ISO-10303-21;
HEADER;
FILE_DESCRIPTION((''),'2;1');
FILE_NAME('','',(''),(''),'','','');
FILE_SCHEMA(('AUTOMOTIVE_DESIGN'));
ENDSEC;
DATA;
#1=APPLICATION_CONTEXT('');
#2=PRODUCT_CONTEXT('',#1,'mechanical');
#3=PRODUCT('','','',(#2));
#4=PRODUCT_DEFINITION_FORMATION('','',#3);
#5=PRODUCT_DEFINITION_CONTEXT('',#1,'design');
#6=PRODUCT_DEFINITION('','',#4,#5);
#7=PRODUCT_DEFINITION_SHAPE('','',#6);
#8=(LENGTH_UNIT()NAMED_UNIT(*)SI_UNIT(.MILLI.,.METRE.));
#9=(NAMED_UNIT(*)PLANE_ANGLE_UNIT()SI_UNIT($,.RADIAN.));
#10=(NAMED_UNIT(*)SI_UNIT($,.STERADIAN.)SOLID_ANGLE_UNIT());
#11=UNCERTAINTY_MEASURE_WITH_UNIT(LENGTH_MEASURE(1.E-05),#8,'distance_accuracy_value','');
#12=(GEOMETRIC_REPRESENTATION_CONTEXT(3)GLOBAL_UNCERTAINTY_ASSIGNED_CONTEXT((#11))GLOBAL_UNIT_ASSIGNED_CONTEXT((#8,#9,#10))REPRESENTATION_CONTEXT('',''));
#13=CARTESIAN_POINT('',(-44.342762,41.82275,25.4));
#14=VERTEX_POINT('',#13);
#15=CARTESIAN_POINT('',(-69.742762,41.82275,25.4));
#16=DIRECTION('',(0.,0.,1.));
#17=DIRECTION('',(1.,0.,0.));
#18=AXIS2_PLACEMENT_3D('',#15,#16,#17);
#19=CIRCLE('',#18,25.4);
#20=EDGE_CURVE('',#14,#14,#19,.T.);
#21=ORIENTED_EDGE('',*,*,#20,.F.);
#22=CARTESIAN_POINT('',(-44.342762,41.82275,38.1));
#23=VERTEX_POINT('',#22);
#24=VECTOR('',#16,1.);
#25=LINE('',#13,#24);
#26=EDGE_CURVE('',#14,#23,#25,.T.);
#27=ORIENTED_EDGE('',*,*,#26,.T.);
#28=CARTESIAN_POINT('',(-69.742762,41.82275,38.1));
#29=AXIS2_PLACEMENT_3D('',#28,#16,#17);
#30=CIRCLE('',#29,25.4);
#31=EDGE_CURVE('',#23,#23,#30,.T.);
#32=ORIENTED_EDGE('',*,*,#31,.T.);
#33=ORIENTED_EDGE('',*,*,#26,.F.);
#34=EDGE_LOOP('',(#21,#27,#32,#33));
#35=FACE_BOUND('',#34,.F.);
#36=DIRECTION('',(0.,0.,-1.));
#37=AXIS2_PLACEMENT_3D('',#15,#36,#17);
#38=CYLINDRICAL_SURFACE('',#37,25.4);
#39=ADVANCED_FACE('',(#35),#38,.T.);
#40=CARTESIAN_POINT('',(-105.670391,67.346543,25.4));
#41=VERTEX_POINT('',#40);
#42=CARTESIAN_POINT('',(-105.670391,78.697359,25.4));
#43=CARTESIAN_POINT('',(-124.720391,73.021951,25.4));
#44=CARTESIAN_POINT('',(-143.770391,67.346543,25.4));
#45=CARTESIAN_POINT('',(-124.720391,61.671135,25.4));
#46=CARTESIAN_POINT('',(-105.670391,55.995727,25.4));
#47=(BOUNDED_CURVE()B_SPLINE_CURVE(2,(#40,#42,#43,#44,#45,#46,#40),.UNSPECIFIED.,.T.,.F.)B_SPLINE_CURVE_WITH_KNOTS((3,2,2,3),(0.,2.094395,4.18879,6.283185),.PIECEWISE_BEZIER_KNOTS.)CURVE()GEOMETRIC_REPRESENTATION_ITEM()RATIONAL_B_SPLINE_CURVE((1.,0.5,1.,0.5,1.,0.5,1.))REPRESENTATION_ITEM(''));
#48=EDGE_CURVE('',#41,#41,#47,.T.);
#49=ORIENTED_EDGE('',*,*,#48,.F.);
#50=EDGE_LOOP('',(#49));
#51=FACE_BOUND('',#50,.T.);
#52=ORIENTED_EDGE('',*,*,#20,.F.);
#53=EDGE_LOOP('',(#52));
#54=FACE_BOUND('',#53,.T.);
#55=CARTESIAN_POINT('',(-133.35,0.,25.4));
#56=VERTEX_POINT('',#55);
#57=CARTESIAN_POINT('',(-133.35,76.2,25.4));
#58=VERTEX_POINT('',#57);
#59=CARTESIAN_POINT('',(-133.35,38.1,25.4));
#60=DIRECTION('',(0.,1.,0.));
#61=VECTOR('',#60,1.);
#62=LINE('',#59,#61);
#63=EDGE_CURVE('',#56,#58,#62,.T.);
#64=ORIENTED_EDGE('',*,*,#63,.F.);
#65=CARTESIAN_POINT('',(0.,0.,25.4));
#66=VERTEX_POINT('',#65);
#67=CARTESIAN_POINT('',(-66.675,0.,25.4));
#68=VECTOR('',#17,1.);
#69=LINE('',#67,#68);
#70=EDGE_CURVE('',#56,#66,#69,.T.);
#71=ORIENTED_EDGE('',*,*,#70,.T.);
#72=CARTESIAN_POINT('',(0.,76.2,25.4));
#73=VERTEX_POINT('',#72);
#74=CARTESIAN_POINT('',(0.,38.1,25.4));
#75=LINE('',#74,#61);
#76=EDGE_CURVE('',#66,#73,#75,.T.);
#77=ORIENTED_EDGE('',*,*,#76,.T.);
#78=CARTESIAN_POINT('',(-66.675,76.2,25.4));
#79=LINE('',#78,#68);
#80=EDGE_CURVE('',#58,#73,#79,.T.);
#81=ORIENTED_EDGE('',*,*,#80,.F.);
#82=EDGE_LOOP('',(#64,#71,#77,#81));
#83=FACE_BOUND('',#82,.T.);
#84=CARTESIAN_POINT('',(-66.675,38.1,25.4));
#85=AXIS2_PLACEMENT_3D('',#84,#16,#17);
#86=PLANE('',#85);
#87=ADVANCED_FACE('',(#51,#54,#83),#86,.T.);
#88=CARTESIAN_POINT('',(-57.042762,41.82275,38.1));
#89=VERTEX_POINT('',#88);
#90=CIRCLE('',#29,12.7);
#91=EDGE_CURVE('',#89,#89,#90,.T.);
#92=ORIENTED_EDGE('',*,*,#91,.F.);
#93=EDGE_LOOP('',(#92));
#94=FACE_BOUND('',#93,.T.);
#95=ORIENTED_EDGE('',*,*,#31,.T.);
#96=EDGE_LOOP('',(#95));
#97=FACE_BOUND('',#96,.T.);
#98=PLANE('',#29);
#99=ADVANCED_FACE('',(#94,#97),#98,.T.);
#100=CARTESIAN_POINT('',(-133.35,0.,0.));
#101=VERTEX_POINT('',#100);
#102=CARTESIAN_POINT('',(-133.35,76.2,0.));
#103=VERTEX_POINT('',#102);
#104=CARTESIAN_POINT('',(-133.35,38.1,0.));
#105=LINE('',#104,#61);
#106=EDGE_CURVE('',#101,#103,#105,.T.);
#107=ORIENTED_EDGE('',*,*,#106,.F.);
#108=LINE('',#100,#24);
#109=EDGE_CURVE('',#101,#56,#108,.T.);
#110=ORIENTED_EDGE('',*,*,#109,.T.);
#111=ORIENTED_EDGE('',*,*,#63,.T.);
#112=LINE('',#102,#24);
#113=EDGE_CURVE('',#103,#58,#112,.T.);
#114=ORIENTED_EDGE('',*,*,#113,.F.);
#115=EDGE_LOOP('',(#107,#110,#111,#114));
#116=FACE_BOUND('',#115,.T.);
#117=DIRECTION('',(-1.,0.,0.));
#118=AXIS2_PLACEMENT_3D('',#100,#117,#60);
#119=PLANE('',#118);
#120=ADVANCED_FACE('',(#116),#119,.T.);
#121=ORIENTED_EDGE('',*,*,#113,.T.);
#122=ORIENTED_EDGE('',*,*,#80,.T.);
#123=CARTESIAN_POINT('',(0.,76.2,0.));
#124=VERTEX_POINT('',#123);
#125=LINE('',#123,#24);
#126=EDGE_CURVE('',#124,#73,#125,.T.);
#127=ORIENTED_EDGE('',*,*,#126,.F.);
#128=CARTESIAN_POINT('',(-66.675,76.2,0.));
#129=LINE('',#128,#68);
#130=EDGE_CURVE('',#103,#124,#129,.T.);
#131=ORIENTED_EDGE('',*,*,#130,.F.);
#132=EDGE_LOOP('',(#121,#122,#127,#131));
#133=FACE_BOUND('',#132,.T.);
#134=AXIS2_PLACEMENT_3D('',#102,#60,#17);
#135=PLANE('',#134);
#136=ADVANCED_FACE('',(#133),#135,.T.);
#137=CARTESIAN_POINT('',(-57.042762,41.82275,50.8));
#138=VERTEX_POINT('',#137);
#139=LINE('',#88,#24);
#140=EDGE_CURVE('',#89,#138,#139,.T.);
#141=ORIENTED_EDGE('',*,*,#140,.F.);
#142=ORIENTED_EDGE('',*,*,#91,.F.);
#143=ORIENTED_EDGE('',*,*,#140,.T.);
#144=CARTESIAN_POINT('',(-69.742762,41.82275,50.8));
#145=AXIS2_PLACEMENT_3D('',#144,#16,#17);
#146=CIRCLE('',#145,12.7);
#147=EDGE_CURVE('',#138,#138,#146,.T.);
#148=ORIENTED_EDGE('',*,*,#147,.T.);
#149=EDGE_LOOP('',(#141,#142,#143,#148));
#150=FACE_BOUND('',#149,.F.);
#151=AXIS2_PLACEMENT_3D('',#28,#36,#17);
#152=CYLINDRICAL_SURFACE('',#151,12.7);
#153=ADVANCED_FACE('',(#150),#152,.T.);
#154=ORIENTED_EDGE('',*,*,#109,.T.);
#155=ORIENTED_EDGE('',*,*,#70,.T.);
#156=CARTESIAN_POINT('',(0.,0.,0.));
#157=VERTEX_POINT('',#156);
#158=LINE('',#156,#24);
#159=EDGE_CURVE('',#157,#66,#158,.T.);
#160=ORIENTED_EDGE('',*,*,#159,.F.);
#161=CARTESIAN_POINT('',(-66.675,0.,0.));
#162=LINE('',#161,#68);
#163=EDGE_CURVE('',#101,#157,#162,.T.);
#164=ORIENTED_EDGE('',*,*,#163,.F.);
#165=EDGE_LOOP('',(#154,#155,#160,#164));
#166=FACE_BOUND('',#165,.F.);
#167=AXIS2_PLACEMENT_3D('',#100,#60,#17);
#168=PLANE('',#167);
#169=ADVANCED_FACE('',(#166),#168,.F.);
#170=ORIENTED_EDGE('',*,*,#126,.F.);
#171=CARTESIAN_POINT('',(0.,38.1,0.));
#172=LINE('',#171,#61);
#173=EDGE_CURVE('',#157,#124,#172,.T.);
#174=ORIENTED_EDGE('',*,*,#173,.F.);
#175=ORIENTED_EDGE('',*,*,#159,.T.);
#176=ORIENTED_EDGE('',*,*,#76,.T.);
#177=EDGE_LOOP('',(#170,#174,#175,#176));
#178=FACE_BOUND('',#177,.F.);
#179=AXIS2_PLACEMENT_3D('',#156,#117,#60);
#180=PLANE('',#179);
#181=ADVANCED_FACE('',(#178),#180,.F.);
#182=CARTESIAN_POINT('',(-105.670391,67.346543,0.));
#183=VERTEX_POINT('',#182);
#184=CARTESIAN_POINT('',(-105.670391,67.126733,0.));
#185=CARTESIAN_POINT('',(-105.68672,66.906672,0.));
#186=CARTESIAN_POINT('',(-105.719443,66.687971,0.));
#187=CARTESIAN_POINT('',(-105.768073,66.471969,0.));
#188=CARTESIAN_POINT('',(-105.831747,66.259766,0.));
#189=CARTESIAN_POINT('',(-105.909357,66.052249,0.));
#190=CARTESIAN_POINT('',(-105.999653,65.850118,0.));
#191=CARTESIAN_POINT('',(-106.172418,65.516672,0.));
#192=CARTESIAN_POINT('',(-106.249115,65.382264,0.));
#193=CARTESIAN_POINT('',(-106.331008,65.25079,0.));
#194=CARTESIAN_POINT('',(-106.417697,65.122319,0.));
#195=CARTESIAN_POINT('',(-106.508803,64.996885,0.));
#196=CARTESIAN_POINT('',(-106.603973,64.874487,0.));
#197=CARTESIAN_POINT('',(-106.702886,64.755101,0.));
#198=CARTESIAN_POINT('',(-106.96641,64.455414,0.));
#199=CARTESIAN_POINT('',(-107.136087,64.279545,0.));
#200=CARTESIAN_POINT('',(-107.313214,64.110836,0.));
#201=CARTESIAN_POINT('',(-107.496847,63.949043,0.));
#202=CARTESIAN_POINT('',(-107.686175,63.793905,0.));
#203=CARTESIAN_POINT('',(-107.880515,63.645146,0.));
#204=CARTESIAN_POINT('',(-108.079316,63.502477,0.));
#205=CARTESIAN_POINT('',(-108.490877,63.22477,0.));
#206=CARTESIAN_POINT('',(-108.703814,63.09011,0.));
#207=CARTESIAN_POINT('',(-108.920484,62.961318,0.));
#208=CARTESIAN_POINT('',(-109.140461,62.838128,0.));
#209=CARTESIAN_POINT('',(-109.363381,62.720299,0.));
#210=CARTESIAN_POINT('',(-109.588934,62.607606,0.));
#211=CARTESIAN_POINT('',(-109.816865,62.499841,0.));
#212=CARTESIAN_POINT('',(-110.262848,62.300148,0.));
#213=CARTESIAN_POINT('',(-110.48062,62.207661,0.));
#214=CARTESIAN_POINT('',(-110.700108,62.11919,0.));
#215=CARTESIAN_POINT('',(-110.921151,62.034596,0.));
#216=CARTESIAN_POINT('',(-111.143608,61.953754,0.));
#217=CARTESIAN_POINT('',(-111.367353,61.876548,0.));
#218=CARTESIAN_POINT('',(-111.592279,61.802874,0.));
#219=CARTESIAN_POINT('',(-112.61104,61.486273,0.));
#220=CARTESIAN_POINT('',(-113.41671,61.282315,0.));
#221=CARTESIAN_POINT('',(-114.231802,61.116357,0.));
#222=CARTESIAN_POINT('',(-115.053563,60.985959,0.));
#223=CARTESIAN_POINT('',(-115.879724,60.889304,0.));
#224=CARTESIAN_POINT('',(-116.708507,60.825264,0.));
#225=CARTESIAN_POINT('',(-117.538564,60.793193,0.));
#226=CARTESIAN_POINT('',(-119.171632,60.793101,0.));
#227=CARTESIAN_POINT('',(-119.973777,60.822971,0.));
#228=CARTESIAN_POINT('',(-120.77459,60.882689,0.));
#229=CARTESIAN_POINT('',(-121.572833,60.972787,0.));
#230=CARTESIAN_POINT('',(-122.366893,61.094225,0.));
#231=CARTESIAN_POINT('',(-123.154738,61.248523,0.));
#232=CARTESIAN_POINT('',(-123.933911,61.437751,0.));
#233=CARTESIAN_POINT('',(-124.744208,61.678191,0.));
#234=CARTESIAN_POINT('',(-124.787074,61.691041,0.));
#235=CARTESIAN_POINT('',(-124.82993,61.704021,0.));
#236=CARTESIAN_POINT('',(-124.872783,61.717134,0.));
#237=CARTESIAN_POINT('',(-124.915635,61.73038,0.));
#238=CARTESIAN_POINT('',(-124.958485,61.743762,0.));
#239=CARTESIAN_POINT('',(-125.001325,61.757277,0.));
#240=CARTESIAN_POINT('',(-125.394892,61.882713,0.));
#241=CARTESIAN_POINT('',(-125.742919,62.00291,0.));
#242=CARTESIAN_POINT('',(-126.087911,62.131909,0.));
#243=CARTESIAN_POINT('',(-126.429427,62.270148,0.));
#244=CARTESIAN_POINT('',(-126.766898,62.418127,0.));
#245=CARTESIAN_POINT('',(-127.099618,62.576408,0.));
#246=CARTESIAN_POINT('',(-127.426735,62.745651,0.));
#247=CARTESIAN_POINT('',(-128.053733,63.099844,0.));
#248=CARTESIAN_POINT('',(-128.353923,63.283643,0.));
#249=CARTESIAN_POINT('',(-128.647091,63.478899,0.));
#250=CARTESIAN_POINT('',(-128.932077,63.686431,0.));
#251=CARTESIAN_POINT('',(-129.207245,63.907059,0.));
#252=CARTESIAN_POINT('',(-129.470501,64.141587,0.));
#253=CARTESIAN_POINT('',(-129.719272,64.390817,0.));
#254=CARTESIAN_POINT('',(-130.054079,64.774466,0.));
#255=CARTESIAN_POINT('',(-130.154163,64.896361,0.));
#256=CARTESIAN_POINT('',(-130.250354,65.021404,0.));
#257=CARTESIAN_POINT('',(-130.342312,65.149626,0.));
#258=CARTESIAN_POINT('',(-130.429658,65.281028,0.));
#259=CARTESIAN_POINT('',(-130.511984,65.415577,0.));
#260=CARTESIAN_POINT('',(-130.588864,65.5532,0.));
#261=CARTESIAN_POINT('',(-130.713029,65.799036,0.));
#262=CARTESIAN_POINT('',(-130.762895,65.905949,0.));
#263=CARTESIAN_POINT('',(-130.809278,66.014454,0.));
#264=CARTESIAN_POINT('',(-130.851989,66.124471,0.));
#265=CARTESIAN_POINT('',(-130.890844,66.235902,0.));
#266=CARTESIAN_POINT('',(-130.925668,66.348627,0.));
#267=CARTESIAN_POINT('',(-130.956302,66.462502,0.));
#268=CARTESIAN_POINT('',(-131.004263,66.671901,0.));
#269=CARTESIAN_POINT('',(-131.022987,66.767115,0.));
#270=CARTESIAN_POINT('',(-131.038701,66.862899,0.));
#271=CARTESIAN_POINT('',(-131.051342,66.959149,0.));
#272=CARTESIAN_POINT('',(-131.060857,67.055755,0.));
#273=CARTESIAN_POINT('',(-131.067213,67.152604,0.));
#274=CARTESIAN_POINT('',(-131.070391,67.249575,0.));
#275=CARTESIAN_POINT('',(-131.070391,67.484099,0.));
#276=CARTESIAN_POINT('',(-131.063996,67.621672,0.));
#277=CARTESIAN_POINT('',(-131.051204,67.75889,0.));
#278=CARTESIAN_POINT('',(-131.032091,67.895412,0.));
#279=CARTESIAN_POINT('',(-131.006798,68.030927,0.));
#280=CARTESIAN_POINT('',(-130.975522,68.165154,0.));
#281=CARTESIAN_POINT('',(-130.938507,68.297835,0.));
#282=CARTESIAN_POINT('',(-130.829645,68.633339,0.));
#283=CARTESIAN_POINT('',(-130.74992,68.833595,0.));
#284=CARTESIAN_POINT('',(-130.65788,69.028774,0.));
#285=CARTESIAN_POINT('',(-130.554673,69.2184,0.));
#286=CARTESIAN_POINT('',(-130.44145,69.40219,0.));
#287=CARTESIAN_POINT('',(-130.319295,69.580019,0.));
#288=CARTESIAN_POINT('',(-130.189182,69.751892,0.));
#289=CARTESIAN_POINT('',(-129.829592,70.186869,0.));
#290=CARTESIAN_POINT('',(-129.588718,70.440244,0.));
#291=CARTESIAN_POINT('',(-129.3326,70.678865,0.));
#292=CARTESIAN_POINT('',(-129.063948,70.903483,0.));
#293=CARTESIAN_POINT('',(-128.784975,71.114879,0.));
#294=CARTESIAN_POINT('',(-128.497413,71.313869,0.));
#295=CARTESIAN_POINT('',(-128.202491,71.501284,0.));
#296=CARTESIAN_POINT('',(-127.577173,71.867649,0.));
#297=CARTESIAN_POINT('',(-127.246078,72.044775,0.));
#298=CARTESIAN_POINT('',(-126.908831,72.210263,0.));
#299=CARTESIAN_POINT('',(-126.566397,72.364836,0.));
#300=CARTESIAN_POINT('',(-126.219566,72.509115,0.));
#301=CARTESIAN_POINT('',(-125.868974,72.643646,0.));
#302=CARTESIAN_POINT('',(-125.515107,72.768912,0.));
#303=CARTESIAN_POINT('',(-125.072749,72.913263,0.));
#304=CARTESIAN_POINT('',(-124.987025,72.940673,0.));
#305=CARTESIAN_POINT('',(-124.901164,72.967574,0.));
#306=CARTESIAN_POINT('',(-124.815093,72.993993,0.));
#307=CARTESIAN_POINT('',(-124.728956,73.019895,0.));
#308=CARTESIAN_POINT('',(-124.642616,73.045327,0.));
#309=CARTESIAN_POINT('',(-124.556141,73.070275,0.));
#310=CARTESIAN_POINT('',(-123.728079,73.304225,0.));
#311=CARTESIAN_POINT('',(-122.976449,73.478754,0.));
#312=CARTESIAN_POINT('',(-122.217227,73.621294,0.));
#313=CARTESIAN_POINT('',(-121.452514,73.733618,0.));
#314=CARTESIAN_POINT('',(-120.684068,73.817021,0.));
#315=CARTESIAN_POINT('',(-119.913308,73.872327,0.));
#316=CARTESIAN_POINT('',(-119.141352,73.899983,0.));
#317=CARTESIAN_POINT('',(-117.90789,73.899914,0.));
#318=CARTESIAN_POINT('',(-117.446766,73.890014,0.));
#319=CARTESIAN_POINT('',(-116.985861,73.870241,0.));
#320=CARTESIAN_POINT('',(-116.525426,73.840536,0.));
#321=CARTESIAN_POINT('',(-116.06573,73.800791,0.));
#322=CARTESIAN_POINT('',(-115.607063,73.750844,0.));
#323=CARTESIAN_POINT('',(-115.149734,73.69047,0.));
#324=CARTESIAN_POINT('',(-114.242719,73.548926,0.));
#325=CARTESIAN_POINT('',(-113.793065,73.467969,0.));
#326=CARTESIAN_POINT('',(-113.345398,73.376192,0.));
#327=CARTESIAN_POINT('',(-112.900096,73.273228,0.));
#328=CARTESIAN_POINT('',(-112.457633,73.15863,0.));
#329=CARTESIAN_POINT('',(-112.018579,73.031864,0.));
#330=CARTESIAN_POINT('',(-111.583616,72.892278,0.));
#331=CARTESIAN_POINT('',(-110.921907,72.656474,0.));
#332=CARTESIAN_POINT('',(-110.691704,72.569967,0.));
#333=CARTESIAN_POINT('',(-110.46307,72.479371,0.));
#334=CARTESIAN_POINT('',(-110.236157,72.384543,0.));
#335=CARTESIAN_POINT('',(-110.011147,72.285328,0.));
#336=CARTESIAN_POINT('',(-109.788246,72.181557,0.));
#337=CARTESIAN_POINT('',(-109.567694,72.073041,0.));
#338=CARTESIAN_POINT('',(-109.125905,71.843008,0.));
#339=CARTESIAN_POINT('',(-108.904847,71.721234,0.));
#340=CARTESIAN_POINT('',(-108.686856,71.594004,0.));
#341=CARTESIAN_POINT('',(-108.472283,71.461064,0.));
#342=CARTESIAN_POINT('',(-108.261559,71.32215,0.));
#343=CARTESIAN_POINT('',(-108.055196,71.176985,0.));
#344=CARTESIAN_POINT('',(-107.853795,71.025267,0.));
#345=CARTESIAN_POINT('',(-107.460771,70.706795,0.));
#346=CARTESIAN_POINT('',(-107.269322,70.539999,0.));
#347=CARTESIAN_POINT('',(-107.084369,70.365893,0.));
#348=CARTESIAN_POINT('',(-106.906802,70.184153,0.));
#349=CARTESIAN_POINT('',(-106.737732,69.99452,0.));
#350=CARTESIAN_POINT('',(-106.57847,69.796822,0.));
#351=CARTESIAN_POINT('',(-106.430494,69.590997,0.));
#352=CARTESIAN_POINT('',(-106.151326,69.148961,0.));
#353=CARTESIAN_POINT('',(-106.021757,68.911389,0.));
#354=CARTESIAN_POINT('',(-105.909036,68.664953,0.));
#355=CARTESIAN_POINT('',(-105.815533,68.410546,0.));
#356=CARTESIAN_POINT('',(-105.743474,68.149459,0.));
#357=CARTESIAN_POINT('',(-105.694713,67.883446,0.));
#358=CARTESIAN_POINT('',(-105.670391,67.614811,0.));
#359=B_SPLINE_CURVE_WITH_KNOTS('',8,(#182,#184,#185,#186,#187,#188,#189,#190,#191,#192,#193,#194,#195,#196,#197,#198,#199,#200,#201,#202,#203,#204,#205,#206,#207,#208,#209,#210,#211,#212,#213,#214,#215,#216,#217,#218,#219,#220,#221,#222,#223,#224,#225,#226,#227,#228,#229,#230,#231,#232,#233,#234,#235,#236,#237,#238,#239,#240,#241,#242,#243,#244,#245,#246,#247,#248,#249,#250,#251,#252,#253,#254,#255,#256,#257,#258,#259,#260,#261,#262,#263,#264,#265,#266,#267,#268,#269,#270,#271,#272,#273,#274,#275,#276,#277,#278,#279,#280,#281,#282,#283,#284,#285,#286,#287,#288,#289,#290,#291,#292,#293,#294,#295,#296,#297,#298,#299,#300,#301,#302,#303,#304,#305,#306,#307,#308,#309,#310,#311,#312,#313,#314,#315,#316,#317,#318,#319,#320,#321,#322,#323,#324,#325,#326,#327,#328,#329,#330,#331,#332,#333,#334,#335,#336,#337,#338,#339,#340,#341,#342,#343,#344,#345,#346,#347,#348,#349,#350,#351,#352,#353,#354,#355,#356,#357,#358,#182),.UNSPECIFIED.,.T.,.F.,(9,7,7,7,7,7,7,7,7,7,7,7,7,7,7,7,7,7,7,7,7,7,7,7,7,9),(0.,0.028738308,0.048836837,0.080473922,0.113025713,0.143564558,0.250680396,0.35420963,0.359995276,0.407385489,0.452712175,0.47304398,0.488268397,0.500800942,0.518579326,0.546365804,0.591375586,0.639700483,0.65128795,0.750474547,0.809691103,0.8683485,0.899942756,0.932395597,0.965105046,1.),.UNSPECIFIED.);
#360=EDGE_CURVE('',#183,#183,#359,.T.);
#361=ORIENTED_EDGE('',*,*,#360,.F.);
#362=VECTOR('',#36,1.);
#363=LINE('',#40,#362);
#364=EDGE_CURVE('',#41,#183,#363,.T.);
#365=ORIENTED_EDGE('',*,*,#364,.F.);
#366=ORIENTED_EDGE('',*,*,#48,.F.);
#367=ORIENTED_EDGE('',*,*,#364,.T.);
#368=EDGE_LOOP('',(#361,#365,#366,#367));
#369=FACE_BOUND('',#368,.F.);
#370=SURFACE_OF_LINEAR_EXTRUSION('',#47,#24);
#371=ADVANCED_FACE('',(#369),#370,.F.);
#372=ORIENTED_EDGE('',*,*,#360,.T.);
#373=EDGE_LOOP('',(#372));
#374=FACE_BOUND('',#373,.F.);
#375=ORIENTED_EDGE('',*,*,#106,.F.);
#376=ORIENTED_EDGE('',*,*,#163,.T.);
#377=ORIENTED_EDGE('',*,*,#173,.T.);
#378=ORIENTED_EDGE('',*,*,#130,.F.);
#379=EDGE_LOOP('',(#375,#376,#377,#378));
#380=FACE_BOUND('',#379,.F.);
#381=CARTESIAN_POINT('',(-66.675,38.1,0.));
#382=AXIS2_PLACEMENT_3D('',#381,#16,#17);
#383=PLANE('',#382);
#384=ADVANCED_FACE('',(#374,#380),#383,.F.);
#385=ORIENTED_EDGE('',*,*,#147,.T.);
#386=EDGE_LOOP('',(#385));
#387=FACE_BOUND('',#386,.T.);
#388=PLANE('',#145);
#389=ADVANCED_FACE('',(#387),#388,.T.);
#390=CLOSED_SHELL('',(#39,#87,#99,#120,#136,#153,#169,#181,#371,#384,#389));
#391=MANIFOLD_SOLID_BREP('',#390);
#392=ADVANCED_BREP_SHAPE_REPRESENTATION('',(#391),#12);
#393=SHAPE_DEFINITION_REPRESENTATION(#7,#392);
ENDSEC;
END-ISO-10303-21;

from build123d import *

# Parameters (mm, degrees)
F0_W     = 133.35
F0_H     = 76.2
F1_DEPTH = 25.4
F2_R     = 25.4
F3_DEPTH = 12.7
F4_R     = 12.7
F5_DEPTH = 12.7
F7_DEPTH = 25.401


with BuildPart() as f1:
    # F0 (on Top) → F1 (new body)
    with BuildSketch(Plane.XY):
        with Locations((-66.675, 38.1)):
            Rectangle(F0_W, F0_H)
    extrude(amount=F1_DEPTH)

    # F2 (on face) → F3 (join)
    with BuildSketch(Plane.XY.offset(25.4)):
        with Locations((-69.742762, 41.82275)):
            Circle(F2_R)
    extrude(amount=F3_DEPTH)

    # F4 (on face) → F5 (join)
    with BuildSketch(Plane.XY.offset(38.1)):
        with Locations((-69.742762, 41.82275)):
            Circle(F4_R)
    extrude(amount=F5_DEPTH)

    # F6 (on face) → F7 (cut, through all)
    with BuildSketch(Plane.XY.offset(25.4)):
        with BuildLine():
            add(Edge.make_bspline(
                [(-105.670391, 67.346543), (-105.670391, 78.697359), (-124.720391, 73.021951), (-143.770391, 67.346543), (-124.720391, 61.671135), (-105.670391, 55.995727), (-105.670391, 67.346543)],
                knots=[0, 0, 0, 2.094395, 2.094395, 4.18879, 4.18879, 6.283185, 6.283185, 6.283185], degree=2, weights=[1, 0.5, 1, 0.5, 1, 0.5, 1]))
        make_face()
    extrude(amount=-F7_DEPTH, mode=Mode.SUBTRACT)


solid = f1.part
